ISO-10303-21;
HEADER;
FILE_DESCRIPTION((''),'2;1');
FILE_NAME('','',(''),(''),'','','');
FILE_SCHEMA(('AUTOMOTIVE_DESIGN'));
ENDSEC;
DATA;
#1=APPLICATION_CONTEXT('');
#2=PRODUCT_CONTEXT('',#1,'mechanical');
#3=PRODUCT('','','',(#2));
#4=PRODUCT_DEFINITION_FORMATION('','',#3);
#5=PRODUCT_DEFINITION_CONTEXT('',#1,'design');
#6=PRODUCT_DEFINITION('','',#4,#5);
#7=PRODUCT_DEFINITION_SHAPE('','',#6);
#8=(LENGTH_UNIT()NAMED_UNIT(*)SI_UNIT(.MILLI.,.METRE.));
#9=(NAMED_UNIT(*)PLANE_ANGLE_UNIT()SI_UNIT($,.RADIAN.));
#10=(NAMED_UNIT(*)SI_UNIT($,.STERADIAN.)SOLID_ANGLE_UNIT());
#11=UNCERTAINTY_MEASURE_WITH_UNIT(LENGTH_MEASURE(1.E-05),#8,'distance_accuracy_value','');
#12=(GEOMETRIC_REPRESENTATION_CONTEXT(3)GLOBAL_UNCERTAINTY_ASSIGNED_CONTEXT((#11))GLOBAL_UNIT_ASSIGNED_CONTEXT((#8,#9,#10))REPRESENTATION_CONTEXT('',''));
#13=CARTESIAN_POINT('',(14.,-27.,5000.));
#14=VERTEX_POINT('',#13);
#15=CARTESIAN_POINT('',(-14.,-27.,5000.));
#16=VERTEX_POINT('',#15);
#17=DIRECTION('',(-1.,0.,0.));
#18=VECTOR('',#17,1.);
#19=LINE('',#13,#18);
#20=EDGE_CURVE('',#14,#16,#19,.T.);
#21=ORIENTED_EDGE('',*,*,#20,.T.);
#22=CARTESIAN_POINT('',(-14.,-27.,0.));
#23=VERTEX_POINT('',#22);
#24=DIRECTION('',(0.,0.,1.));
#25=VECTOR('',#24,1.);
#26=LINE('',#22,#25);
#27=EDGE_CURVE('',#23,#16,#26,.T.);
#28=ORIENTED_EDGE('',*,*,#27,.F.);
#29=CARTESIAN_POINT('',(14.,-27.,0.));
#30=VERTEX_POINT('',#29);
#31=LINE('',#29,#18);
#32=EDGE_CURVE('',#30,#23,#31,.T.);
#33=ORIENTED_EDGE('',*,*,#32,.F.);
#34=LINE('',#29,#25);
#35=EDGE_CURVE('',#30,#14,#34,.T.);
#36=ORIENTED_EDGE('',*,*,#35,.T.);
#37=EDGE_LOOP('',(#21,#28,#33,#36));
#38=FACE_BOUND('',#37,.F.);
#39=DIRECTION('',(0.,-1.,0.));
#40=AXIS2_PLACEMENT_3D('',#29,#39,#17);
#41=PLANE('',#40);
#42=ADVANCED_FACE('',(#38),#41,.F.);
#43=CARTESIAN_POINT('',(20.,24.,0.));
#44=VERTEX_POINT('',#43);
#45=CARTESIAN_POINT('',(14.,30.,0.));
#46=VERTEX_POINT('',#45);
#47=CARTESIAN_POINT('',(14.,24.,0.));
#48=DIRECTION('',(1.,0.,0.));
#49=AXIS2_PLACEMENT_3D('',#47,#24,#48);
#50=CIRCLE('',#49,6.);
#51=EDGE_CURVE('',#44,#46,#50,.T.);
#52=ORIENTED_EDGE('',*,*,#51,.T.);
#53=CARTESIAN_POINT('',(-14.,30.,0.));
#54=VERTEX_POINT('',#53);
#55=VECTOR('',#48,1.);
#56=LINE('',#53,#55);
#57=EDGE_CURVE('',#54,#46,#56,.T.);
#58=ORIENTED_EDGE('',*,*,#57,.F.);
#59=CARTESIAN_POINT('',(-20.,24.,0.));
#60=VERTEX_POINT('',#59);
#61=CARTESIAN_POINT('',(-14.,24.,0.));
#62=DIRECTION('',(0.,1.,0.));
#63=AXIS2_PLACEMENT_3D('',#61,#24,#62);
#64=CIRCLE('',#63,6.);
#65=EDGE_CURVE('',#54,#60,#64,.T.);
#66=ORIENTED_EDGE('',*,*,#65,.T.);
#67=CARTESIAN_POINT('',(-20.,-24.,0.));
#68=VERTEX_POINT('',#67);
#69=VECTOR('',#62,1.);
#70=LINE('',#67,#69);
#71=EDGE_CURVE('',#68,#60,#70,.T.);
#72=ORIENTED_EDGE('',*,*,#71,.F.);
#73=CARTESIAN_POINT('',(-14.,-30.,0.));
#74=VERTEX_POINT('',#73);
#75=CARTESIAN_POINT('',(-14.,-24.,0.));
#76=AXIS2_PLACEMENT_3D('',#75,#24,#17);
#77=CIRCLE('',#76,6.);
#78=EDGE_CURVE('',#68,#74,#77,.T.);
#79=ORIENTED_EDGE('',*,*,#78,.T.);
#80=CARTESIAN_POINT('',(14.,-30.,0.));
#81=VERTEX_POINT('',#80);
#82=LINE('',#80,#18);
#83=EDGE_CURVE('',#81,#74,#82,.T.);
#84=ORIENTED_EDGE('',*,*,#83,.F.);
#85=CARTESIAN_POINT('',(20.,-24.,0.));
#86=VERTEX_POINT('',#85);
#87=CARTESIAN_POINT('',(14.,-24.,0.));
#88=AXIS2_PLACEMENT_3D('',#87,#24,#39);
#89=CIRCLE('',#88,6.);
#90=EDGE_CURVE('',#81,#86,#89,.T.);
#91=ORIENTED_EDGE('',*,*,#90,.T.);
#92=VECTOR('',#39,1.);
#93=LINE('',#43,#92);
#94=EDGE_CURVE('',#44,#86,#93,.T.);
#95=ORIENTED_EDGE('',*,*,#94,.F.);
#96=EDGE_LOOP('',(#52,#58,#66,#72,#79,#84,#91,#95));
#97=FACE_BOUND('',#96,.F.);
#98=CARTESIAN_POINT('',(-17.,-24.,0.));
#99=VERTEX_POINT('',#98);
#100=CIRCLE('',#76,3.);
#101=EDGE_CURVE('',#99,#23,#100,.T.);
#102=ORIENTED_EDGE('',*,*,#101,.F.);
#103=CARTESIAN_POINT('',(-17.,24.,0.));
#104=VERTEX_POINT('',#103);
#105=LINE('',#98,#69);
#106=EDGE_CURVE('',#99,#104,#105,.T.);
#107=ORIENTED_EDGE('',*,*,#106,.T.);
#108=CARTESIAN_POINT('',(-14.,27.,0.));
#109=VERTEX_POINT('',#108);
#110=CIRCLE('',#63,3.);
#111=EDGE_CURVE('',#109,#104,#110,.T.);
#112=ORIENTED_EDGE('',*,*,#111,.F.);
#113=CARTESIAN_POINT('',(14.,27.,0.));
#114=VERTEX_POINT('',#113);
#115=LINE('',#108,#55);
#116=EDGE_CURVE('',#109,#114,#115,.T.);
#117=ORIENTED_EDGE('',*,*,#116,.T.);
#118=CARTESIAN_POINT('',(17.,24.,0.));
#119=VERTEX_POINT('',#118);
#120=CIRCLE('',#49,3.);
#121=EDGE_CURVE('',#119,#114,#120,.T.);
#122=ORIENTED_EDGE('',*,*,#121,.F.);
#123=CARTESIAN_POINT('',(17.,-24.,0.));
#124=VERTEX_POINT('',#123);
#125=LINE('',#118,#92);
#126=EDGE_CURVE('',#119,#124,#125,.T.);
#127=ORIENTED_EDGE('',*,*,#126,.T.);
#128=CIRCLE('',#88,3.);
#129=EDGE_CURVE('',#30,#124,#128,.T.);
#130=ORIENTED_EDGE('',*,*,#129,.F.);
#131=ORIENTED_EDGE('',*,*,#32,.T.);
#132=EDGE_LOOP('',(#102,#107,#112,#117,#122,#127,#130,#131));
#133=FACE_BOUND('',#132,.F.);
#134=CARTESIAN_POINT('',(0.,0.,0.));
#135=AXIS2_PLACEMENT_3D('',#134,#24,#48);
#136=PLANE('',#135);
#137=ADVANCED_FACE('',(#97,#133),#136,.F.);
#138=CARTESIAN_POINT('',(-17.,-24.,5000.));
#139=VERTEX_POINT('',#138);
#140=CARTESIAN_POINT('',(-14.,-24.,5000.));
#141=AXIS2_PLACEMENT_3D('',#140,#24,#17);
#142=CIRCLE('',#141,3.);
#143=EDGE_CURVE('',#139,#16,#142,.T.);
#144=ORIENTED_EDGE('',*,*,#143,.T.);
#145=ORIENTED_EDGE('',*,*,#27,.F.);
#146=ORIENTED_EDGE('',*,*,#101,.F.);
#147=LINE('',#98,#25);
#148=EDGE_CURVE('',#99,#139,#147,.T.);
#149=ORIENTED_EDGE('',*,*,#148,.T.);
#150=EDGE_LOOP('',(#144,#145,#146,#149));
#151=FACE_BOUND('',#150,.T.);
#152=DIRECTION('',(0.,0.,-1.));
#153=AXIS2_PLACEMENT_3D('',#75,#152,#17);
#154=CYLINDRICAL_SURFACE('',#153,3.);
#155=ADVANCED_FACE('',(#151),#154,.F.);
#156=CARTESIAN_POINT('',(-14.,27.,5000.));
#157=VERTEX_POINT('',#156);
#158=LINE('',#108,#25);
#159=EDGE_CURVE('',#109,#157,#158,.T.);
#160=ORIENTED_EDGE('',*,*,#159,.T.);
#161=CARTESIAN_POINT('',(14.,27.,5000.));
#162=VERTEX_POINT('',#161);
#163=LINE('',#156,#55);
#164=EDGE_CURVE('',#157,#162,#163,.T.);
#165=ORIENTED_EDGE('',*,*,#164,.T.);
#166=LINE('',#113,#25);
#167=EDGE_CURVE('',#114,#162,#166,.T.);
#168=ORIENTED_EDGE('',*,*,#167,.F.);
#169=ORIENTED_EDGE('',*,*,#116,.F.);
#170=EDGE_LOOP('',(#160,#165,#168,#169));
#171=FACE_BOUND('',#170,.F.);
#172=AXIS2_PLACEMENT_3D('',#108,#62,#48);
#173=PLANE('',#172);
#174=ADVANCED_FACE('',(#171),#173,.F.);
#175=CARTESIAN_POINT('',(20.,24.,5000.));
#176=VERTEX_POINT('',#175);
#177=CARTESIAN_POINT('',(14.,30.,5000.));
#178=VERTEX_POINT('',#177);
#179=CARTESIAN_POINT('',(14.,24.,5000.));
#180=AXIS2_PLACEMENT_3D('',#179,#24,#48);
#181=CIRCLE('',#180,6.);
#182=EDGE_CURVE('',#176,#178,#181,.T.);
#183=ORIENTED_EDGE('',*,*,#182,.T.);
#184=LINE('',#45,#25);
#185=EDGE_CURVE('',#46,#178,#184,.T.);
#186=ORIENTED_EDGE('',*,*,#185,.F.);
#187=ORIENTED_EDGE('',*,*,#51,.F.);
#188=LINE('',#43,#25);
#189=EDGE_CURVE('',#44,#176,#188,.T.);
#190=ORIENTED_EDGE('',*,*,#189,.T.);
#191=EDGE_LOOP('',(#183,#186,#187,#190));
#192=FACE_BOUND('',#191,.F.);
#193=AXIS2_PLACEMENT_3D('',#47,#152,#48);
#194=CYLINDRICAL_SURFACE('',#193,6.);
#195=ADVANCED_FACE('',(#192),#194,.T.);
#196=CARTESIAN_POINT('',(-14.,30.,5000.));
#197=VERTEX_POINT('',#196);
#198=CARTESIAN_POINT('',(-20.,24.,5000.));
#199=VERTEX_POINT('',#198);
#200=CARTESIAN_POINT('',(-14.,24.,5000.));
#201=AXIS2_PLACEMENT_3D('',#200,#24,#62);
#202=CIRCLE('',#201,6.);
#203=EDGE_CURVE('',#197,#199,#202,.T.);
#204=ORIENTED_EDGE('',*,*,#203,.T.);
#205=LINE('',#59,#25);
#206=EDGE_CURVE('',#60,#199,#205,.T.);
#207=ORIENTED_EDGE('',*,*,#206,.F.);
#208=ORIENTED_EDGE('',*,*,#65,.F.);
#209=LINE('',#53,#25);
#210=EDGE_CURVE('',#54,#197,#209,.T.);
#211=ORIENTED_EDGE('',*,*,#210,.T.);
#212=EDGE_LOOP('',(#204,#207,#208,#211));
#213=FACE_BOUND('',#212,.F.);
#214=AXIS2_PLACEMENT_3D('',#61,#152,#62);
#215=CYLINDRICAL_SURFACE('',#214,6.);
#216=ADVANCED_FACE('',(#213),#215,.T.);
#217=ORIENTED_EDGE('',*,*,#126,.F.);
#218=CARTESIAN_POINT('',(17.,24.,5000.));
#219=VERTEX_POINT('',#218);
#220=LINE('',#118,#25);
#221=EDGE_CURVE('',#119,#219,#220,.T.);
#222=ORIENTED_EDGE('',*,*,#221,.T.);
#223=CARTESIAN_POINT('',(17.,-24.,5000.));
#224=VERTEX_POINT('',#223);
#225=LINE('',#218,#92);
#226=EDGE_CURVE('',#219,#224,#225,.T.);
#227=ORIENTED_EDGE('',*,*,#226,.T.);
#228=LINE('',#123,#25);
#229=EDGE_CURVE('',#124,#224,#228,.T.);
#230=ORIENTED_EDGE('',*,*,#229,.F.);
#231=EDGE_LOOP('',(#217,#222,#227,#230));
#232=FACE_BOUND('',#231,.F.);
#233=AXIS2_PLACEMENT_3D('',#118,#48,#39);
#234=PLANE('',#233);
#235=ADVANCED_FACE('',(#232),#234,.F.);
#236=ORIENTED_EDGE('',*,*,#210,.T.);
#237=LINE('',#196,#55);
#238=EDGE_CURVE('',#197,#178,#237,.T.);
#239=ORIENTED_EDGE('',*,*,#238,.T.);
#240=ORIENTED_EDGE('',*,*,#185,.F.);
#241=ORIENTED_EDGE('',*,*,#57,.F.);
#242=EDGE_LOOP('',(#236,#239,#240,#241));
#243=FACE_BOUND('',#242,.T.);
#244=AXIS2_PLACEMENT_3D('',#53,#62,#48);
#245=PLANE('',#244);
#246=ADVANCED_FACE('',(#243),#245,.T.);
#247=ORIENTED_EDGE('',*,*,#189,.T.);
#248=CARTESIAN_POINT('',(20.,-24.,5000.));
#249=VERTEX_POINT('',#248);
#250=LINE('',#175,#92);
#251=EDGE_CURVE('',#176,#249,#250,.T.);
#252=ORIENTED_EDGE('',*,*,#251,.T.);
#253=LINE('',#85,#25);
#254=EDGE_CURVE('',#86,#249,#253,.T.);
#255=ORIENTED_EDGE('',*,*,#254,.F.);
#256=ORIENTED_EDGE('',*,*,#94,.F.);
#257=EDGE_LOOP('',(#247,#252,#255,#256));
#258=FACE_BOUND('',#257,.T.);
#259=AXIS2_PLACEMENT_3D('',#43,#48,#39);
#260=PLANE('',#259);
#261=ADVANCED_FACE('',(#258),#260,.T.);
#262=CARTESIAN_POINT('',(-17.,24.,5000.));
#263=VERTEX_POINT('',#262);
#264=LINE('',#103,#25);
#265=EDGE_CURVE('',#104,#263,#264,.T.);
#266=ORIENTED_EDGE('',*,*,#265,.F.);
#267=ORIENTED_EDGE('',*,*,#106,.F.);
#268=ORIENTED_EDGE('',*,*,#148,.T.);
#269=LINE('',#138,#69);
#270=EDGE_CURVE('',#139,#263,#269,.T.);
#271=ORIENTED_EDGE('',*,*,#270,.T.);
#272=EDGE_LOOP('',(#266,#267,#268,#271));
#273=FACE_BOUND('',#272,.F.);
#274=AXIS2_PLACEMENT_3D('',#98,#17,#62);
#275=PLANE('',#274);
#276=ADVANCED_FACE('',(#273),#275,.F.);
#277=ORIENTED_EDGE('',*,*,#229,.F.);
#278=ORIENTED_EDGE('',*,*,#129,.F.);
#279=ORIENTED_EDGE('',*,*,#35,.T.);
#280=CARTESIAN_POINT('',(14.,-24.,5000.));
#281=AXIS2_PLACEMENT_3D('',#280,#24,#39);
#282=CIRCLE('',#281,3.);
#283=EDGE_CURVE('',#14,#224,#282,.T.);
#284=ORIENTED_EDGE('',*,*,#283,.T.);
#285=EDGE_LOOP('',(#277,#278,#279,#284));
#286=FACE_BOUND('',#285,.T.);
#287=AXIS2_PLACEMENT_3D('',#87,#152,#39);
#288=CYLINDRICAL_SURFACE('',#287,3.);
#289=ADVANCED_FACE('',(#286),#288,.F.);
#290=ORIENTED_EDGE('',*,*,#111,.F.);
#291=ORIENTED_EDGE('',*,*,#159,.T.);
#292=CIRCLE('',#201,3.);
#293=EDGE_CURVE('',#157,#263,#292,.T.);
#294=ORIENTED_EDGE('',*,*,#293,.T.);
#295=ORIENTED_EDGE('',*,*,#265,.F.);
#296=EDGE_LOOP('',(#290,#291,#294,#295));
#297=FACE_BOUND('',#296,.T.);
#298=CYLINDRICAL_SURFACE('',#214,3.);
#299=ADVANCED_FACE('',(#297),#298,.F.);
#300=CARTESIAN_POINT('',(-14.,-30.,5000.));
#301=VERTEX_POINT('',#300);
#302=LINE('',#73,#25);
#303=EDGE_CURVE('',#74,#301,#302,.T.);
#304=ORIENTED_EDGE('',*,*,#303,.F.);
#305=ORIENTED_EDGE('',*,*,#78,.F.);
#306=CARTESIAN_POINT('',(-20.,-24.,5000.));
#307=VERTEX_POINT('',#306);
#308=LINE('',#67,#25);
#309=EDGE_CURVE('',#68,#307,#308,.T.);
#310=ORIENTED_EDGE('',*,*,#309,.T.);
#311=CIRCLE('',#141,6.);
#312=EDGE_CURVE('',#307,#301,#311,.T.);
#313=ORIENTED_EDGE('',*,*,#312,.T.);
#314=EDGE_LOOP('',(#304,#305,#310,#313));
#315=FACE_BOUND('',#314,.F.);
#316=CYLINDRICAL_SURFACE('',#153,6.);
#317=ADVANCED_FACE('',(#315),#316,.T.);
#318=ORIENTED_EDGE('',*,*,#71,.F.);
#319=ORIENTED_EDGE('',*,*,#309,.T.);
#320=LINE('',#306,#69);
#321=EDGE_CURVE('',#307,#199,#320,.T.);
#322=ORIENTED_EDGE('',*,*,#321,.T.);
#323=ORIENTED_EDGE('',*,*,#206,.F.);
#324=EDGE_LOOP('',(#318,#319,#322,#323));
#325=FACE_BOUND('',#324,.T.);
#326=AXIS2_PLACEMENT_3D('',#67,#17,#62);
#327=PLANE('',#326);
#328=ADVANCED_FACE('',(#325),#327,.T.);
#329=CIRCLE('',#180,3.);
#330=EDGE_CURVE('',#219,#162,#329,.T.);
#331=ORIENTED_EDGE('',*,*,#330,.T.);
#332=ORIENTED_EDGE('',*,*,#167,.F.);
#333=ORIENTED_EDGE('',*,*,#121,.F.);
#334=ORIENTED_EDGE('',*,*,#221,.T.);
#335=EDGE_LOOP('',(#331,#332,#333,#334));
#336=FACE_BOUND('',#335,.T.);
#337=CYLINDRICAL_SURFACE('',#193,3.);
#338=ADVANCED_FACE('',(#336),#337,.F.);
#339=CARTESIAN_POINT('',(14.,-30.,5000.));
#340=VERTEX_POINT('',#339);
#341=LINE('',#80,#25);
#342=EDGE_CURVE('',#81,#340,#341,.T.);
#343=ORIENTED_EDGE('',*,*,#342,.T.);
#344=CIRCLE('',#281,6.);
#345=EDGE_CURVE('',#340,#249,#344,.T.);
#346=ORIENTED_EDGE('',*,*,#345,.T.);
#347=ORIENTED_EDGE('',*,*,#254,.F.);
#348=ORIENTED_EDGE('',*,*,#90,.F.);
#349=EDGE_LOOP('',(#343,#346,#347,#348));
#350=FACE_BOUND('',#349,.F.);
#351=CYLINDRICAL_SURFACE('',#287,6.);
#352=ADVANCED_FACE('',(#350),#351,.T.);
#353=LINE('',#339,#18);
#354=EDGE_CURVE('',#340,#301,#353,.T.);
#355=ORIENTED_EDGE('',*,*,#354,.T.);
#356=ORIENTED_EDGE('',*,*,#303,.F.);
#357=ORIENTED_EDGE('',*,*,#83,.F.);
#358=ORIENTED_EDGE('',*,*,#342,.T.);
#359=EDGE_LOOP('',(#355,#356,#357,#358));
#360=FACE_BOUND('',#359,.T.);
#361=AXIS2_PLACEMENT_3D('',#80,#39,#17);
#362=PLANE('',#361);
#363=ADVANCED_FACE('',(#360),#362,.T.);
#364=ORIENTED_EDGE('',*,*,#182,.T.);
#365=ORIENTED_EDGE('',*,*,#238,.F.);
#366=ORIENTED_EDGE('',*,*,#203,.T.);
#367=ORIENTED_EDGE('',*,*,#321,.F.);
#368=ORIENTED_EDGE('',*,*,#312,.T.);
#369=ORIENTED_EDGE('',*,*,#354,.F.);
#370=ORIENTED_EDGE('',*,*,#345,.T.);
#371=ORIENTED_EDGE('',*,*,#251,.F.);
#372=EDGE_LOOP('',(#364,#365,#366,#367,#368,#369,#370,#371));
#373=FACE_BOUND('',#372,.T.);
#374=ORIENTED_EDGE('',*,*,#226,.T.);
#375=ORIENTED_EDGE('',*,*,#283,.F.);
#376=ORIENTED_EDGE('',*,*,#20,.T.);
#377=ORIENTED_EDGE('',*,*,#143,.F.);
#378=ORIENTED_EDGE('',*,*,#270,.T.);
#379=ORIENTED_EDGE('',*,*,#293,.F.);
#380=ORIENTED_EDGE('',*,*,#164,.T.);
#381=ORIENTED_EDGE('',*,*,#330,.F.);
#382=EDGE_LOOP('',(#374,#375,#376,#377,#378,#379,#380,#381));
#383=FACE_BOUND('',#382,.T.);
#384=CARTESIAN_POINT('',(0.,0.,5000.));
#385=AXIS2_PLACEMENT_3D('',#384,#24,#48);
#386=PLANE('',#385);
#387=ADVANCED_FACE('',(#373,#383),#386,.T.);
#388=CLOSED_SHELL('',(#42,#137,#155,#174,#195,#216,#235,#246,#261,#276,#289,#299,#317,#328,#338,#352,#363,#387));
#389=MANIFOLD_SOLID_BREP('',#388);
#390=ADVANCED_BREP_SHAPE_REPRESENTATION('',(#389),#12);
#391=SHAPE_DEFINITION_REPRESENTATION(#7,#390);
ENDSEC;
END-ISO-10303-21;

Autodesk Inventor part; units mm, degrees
ref_plane "YZ Plane" through (0, 0, 0) normal (1, 0, 0) x (0, 1, 0)
ref_plane "Start Plane" through (0, 0, 0) normal (0, 0, 1) x (1, 0, 0)
ref_plane "End Plane" through (0, 0, 5000) normal (0, 0, 1) x (1, 0, 0)
sketch "Sketch" plane through (0, 0, 0) normal (0, 0, 1) x (1, 0, 0)
  line L0 (-20, -24) -> (-20, 24)
  line L1 (-14, 30) -> (14, 30)
  line L2 (20, 24) -> (20, -24)
  line L3 (14, -30) -> (-14, -30)
  arc A0 (-20, -24) -> (-14, -30) centre (-14, -24) ccw
  arc A1 (20, 24) -> (14, 30) centre (14, 24) ccw
  arc A2 (-14, 30) -> (-20, 24) centre (-14, 24) ccw
  arc A3 (14, -30) -> (20, -24) centre (14, -24) ccw
  arc A4 (-14, 27) -> (-17, 24) centre (-14, 24) ccw
  line L4 (-14, 27) -> (14, 27)
  arc A5 (17, 24) -> (14, 27) centre (14, 24) ccw
  line L5 (17, 24) -> (17, -24)
  arc A6 (14, -27) -> (17, -24) centre (14, -24) ccw
  line L6 (14, -27) -> (-14, -27)
  arc A7 (-17, -24) -> (-14, -27) centre (-14, -24) ccw
  line L7 (-17, -24) -> (-17, 24)
  line L8 (0, 43.7397) -> (0, -43.7397) construction
  line L9 (-29.7397, 0) -> (29.7397, 0) construction
  dimension "d7" = 6
  dimension "d9" = 40
  dimension "d11" = 60
  dimension "d12" = 3
  dimension "d15" = 20
  dimension "d16" = 30
extrude "Body" add sketch "Sketch" along normal up to surface (5000 mm away) from surface at 0
sketch "Sketch3" plane through (0, 0, 0) normal (0, 0, 1) x (1, 0, 0)
  line L0 (0, 0) -> (10, 0)
ref_plane "Work Plane3" through (0, 0, 0) normal (0, -1, 0) x (1, 0, 0)
sketch "Sketch4" plane through (0, 0, 0) normal (0, -1, 0) x (1, 0, 0)
  line L0 (-2, 0) -> (12, 0) projected
  line L1 (-2, 5000) -> (12, 5000) projected
  dimension "d18" = 5000
equation "\"d7\" = G_IR"
equation "\"d9\" = G_W"
equation "\"d11\" = G_H"
equation "\"d12\" = G_T"
equation "\"d15\" = 0.5 * d9"
equation "\"d16\" = 0.5 * d11"
equation "\"d3\" = G_L"
equation "\"G_W\" = 40"
equation "\"G_H\" = 60"
equation "\"G_T\" = 3"
equation "\"G_IR\" = 6"
equation "\"G_L\" = d18"
equation "\"G_OFFSET_START\" = 0"
equation "\"G_OFFSET_END\" = 0"
properties part number "ISO 4019 - 60x40x3 - 5000" material "Steel, Mild"
